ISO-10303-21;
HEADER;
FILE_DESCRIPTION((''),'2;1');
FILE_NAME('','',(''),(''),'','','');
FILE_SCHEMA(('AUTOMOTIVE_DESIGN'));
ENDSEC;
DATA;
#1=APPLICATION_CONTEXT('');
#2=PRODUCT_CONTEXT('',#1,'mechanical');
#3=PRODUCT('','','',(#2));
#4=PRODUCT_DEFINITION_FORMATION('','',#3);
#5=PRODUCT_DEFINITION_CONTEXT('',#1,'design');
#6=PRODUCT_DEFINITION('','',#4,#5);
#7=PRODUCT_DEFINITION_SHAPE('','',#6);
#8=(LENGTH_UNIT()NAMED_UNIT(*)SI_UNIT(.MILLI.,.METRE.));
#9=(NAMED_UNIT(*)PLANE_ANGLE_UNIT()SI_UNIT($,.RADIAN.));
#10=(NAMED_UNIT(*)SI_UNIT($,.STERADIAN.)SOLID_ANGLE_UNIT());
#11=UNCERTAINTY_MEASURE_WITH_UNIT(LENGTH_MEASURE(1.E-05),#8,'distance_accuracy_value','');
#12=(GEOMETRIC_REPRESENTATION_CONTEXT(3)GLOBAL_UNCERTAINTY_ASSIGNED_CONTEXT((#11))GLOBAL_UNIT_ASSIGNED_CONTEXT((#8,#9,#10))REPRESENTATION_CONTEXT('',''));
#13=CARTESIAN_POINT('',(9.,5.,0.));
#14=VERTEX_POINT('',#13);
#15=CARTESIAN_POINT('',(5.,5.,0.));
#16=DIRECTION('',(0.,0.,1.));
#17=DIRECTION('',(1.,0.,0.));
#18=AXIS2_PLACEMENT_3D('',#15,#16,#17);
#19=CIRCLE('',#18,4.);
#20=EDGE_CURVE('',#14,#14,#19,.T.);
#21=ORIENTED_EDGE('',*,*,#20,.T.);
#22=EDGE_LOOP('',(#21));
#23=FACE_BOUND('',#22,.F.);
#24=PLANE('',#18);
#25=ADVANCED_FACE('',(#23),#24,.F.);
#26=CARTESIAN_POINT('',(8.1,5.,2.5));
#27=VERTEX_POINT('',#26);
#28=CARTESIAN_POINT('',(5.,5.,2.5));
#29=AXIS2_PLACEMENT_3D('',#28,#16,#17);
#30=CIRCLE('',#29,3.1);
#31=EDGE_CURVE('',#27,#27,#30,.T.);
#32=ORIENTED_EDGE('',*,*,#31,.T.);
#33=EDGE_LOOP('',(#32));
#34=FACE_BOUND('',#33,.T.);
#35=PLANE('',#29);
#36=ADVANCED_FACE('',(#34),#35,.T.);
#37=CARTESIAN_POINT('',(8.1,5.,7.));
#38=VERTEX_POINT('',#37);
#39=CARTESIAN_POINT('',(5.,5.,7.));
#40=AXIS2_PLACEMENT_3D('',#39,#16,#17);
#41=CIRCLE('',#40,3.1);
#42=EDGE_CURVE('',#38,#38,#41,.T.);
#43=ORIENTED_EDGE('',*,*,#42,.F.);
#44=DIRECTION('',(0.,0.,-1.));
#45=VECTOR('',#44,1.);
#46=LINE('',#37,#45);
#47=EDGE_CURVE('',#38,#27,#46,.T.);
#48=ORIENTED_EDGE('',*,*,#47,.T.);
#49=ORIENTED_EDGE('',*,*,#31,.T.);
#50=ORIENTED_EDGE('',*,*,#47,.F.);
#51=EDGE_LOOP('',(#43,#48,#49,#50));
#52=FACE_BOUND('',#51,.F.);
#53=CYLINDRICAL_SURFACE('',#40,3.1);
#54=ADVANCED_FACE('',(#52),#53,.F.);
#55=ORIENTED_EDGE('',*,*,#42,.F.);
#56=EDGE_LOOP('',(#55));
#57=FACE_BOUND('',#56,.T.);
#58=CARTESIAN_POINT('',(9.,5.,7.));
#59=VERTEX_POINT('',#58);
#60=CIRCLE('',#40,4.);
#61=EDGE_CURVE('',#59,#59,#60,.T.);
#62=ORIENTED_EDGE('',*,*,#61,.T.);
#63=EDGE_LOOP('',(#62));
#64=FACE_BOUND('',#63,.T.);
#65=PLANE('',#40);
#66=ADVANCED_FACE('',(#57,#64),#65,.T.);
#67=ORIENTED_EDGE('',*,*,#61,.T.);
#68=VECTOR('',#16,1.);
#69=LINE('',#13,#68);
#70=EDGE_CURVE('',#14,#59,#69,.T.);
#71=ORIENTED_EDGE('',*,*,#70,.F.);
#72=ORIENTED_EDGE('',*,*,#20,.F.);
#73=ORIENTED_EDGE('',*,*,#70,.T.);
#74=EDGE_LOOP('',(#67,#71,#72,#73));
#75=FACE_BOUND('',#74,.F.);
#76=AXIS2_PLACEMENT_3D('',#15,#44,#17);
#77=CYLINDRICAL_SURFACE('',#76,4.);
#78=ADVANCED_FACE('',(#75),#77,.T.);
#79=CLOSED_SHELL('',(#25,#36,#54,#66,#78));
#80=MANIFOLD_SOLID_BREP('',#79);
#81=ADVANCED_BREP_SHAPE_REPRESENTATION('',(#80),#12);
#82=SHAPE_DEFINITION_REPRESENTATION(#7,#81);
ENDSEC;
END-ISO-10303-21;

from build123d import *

# Parameters (mm, degrees)
SKETCH_R     = 4
PAD_DEPTH    = 7
SKETCH001_R  = 3.1
POCKET_DEPTH = 4.5


with BuildPart() as part:
    # Sketch → Pad (new body)
    with BuildSketch(Plane.XY):
        with Locations((5, 5)):
            Circle(SKETCH_R)
    extrude(amount=PAD_DEPTH)

    # Sketch001 (on Face3 of Pad) → Pocket (cut)
    with BuildSketch(Plane.XY.offset(7)):
        with Locations((5, 5)):
            Circle(SKETCH001_R)
    extrude(amount=-POCKET_DEPTH, mode=Mode.SUBTRACT)


solid = part.part
